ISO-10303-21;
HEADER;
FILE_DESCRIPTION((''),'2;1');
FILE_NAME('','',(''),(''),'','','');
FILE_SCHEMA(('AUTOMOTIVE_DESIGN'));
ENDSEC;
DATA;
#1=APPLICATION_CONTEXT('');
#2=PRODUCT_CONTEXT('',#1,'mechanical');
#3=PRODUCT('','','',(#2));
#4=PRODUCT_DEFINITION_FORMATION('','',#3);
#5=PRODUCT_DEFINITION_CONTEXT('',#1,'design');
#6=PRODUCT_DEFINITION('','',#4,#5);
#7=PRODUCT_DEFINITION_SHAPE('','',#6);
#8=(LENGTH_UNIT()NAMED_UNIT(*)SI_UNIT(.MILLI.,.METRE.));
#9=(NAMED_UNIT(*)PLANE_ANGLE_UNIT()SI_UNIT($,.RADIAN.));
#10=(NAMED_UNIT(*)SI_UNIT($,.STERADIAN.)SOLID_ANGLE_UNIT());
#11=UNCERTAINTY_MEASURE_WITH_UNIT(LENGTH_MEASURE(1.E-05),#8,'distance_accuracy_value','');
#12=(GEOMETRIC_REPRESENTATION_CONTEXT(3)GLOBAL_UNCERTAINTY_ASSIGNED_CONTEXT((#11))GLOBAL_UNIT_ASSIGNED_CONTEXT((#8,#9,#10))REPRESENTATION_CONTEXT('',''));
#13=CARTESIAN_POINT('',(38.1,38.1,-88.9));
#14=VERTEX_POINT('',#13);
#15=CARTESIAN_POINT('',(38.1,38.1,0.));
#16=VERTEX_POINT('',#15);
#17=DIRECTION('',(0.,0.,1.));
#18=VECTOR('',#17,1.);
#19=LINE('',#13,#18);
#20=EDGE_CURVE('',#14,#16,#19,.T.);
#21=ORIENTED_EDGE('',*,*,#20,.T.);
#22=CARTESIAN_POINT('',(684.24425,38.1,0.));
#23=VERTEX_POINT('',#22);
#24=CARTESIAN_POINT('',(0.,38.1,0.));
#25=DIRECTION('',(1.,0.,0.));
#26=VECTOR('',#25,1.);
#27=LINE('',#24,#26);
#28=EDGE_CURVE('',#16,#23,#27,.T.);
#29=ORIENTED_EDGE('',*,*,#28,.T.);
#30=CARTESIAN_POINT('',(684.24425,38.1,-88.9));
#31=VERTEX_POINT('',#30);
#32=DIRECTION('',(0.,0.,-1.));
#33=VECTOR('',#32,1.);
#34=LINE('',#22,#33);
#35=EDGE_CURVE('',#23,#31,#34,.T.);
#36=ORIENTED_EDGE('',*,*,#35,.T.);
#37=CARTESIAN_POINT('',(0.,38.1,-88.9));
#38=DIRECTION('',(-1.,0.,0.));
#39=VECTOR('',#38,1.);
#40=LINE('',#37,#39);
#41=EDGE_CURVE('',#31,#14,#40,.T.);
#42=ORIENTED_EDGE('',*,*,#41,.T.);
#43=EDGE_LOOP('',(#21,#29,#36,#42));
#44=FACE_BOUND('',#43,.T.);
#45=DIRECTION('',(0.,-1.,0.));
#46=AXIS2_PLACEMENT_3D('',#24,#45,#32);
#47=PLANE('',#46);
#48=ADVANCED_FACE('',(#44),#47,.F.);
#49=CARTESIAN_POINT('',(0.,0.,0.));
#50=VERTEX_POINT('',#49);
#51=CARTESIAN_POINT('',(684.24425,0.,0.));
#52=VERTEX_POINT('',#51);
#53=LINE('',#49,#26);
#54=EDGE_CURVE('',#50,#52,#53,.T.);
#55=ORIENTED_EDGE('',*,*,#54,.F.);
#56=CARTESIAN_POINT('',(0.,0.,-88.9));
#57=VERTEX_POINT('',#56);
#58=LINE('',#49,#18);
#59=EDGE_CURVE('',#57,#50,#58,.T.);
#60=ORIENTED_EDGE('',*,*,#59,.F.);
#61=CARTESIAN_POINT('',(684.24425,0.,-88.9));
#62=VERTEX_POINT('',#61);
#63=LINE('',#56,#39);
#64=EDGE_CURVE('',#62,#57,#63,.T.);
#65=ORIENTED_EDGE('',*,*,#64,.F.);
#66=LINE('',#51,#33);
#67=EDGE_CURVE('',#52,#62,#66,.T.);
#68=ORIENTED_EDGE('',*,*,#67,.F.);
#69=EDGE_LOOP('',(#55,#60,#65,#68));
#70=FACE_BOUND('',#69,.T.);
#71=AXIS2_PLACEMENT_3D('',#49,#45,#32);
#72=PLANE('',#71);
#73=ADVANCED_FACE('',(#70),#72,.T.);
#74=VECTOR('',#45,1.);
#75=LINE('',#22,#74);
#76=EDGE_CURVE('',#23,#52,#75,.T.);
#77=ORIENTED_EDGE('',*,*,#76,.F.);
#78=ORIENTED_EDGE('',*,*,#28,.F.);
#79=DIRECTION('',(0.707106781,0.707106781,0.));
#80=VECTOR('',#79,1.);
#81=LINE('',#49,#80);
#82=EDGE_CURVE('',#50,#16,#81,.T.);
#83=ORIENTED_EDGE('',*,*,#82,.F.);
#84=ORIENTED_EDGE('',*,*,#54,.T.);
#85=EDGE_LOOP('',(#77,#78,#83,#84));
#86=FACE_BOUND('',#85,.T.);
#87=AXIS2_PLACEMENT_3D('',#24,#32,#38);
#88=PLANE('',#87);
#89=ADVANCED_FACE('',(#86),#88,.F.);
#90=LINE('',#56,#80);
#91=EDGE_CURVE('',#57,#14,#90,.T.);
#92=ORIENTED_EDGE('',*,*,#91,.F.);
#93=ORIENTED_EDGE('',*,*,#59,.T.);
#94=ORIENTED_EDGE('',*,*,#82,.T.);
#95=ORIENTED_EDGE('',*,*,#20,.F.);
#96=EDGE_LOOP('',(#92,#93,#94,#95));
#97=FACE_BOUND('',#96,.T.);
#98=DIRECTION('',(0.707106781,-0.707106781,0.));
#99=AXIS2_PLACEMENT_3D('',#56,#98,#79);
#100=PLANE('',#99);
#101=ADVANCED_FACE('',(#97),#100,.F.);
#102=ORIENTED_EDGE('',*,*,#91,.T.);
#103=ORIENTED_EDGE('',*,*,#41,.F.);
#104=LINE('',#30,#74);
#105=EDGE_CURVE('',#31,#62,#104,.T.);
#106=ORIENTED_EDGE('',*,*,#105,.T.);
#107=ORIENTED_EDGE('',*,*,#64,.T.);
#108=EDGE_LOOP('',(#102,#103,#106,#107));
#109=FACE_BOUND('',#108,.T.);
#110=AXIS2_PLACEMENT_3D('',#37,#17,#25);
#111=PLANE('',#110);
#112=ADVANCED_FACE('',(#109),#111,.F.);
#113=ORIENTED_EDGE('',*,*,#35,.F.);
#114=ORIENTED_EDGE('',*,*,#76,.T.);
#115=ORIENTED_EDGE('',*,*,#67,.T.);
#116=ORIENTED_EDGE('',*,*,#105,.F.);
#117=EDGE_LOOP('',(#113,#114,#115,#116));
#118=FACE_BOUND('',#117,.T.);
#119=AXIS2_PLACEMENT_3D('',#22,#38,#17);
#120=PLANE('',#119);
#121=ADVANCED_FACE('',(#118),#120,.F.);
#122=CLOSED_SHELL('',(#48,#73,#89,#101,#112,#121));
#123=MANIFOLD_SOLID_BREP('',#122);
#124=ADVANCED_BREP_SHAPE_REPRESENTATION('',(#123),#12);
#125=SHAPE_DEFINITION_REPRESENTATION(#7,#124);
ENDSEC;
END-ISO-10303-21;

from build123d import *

# Parameters (mm, degrees)
SKETCH1_W           = 684.24425
SKETCH1_H           = 88.9
BOSS_EXTRUDE1_DEPTH = 38.1
CUT_EXTRUDE1_DEPTH  = 89.9


with BuildPart() as part:
    # Sketch1 → Boss-Extrude1 (new body)
    with BuildSketch(Plane(origin=(0, 0, 0), x_dir=(1, 0, 0), z_dir=(0, 1, 0))):
        with Locations((342.122125, 44.45)):
            Rectangle(SKETCH1_W, SKETCH1_H)
    extrude(amount=BOSS_EXTRUDE1_DEPTH)

    # Sketch2 → Cut-Extrude1 (cut, through all)
    with BuildSketch(Plane.XY):
        Polygon((0, 0), (38.1, 38.1), (0, 38.1), align=None)
    extrude(amount=-CUT_EXTRUDE1_DEPTH, mode=Mode.SUBTRACT)


solid = part.part
